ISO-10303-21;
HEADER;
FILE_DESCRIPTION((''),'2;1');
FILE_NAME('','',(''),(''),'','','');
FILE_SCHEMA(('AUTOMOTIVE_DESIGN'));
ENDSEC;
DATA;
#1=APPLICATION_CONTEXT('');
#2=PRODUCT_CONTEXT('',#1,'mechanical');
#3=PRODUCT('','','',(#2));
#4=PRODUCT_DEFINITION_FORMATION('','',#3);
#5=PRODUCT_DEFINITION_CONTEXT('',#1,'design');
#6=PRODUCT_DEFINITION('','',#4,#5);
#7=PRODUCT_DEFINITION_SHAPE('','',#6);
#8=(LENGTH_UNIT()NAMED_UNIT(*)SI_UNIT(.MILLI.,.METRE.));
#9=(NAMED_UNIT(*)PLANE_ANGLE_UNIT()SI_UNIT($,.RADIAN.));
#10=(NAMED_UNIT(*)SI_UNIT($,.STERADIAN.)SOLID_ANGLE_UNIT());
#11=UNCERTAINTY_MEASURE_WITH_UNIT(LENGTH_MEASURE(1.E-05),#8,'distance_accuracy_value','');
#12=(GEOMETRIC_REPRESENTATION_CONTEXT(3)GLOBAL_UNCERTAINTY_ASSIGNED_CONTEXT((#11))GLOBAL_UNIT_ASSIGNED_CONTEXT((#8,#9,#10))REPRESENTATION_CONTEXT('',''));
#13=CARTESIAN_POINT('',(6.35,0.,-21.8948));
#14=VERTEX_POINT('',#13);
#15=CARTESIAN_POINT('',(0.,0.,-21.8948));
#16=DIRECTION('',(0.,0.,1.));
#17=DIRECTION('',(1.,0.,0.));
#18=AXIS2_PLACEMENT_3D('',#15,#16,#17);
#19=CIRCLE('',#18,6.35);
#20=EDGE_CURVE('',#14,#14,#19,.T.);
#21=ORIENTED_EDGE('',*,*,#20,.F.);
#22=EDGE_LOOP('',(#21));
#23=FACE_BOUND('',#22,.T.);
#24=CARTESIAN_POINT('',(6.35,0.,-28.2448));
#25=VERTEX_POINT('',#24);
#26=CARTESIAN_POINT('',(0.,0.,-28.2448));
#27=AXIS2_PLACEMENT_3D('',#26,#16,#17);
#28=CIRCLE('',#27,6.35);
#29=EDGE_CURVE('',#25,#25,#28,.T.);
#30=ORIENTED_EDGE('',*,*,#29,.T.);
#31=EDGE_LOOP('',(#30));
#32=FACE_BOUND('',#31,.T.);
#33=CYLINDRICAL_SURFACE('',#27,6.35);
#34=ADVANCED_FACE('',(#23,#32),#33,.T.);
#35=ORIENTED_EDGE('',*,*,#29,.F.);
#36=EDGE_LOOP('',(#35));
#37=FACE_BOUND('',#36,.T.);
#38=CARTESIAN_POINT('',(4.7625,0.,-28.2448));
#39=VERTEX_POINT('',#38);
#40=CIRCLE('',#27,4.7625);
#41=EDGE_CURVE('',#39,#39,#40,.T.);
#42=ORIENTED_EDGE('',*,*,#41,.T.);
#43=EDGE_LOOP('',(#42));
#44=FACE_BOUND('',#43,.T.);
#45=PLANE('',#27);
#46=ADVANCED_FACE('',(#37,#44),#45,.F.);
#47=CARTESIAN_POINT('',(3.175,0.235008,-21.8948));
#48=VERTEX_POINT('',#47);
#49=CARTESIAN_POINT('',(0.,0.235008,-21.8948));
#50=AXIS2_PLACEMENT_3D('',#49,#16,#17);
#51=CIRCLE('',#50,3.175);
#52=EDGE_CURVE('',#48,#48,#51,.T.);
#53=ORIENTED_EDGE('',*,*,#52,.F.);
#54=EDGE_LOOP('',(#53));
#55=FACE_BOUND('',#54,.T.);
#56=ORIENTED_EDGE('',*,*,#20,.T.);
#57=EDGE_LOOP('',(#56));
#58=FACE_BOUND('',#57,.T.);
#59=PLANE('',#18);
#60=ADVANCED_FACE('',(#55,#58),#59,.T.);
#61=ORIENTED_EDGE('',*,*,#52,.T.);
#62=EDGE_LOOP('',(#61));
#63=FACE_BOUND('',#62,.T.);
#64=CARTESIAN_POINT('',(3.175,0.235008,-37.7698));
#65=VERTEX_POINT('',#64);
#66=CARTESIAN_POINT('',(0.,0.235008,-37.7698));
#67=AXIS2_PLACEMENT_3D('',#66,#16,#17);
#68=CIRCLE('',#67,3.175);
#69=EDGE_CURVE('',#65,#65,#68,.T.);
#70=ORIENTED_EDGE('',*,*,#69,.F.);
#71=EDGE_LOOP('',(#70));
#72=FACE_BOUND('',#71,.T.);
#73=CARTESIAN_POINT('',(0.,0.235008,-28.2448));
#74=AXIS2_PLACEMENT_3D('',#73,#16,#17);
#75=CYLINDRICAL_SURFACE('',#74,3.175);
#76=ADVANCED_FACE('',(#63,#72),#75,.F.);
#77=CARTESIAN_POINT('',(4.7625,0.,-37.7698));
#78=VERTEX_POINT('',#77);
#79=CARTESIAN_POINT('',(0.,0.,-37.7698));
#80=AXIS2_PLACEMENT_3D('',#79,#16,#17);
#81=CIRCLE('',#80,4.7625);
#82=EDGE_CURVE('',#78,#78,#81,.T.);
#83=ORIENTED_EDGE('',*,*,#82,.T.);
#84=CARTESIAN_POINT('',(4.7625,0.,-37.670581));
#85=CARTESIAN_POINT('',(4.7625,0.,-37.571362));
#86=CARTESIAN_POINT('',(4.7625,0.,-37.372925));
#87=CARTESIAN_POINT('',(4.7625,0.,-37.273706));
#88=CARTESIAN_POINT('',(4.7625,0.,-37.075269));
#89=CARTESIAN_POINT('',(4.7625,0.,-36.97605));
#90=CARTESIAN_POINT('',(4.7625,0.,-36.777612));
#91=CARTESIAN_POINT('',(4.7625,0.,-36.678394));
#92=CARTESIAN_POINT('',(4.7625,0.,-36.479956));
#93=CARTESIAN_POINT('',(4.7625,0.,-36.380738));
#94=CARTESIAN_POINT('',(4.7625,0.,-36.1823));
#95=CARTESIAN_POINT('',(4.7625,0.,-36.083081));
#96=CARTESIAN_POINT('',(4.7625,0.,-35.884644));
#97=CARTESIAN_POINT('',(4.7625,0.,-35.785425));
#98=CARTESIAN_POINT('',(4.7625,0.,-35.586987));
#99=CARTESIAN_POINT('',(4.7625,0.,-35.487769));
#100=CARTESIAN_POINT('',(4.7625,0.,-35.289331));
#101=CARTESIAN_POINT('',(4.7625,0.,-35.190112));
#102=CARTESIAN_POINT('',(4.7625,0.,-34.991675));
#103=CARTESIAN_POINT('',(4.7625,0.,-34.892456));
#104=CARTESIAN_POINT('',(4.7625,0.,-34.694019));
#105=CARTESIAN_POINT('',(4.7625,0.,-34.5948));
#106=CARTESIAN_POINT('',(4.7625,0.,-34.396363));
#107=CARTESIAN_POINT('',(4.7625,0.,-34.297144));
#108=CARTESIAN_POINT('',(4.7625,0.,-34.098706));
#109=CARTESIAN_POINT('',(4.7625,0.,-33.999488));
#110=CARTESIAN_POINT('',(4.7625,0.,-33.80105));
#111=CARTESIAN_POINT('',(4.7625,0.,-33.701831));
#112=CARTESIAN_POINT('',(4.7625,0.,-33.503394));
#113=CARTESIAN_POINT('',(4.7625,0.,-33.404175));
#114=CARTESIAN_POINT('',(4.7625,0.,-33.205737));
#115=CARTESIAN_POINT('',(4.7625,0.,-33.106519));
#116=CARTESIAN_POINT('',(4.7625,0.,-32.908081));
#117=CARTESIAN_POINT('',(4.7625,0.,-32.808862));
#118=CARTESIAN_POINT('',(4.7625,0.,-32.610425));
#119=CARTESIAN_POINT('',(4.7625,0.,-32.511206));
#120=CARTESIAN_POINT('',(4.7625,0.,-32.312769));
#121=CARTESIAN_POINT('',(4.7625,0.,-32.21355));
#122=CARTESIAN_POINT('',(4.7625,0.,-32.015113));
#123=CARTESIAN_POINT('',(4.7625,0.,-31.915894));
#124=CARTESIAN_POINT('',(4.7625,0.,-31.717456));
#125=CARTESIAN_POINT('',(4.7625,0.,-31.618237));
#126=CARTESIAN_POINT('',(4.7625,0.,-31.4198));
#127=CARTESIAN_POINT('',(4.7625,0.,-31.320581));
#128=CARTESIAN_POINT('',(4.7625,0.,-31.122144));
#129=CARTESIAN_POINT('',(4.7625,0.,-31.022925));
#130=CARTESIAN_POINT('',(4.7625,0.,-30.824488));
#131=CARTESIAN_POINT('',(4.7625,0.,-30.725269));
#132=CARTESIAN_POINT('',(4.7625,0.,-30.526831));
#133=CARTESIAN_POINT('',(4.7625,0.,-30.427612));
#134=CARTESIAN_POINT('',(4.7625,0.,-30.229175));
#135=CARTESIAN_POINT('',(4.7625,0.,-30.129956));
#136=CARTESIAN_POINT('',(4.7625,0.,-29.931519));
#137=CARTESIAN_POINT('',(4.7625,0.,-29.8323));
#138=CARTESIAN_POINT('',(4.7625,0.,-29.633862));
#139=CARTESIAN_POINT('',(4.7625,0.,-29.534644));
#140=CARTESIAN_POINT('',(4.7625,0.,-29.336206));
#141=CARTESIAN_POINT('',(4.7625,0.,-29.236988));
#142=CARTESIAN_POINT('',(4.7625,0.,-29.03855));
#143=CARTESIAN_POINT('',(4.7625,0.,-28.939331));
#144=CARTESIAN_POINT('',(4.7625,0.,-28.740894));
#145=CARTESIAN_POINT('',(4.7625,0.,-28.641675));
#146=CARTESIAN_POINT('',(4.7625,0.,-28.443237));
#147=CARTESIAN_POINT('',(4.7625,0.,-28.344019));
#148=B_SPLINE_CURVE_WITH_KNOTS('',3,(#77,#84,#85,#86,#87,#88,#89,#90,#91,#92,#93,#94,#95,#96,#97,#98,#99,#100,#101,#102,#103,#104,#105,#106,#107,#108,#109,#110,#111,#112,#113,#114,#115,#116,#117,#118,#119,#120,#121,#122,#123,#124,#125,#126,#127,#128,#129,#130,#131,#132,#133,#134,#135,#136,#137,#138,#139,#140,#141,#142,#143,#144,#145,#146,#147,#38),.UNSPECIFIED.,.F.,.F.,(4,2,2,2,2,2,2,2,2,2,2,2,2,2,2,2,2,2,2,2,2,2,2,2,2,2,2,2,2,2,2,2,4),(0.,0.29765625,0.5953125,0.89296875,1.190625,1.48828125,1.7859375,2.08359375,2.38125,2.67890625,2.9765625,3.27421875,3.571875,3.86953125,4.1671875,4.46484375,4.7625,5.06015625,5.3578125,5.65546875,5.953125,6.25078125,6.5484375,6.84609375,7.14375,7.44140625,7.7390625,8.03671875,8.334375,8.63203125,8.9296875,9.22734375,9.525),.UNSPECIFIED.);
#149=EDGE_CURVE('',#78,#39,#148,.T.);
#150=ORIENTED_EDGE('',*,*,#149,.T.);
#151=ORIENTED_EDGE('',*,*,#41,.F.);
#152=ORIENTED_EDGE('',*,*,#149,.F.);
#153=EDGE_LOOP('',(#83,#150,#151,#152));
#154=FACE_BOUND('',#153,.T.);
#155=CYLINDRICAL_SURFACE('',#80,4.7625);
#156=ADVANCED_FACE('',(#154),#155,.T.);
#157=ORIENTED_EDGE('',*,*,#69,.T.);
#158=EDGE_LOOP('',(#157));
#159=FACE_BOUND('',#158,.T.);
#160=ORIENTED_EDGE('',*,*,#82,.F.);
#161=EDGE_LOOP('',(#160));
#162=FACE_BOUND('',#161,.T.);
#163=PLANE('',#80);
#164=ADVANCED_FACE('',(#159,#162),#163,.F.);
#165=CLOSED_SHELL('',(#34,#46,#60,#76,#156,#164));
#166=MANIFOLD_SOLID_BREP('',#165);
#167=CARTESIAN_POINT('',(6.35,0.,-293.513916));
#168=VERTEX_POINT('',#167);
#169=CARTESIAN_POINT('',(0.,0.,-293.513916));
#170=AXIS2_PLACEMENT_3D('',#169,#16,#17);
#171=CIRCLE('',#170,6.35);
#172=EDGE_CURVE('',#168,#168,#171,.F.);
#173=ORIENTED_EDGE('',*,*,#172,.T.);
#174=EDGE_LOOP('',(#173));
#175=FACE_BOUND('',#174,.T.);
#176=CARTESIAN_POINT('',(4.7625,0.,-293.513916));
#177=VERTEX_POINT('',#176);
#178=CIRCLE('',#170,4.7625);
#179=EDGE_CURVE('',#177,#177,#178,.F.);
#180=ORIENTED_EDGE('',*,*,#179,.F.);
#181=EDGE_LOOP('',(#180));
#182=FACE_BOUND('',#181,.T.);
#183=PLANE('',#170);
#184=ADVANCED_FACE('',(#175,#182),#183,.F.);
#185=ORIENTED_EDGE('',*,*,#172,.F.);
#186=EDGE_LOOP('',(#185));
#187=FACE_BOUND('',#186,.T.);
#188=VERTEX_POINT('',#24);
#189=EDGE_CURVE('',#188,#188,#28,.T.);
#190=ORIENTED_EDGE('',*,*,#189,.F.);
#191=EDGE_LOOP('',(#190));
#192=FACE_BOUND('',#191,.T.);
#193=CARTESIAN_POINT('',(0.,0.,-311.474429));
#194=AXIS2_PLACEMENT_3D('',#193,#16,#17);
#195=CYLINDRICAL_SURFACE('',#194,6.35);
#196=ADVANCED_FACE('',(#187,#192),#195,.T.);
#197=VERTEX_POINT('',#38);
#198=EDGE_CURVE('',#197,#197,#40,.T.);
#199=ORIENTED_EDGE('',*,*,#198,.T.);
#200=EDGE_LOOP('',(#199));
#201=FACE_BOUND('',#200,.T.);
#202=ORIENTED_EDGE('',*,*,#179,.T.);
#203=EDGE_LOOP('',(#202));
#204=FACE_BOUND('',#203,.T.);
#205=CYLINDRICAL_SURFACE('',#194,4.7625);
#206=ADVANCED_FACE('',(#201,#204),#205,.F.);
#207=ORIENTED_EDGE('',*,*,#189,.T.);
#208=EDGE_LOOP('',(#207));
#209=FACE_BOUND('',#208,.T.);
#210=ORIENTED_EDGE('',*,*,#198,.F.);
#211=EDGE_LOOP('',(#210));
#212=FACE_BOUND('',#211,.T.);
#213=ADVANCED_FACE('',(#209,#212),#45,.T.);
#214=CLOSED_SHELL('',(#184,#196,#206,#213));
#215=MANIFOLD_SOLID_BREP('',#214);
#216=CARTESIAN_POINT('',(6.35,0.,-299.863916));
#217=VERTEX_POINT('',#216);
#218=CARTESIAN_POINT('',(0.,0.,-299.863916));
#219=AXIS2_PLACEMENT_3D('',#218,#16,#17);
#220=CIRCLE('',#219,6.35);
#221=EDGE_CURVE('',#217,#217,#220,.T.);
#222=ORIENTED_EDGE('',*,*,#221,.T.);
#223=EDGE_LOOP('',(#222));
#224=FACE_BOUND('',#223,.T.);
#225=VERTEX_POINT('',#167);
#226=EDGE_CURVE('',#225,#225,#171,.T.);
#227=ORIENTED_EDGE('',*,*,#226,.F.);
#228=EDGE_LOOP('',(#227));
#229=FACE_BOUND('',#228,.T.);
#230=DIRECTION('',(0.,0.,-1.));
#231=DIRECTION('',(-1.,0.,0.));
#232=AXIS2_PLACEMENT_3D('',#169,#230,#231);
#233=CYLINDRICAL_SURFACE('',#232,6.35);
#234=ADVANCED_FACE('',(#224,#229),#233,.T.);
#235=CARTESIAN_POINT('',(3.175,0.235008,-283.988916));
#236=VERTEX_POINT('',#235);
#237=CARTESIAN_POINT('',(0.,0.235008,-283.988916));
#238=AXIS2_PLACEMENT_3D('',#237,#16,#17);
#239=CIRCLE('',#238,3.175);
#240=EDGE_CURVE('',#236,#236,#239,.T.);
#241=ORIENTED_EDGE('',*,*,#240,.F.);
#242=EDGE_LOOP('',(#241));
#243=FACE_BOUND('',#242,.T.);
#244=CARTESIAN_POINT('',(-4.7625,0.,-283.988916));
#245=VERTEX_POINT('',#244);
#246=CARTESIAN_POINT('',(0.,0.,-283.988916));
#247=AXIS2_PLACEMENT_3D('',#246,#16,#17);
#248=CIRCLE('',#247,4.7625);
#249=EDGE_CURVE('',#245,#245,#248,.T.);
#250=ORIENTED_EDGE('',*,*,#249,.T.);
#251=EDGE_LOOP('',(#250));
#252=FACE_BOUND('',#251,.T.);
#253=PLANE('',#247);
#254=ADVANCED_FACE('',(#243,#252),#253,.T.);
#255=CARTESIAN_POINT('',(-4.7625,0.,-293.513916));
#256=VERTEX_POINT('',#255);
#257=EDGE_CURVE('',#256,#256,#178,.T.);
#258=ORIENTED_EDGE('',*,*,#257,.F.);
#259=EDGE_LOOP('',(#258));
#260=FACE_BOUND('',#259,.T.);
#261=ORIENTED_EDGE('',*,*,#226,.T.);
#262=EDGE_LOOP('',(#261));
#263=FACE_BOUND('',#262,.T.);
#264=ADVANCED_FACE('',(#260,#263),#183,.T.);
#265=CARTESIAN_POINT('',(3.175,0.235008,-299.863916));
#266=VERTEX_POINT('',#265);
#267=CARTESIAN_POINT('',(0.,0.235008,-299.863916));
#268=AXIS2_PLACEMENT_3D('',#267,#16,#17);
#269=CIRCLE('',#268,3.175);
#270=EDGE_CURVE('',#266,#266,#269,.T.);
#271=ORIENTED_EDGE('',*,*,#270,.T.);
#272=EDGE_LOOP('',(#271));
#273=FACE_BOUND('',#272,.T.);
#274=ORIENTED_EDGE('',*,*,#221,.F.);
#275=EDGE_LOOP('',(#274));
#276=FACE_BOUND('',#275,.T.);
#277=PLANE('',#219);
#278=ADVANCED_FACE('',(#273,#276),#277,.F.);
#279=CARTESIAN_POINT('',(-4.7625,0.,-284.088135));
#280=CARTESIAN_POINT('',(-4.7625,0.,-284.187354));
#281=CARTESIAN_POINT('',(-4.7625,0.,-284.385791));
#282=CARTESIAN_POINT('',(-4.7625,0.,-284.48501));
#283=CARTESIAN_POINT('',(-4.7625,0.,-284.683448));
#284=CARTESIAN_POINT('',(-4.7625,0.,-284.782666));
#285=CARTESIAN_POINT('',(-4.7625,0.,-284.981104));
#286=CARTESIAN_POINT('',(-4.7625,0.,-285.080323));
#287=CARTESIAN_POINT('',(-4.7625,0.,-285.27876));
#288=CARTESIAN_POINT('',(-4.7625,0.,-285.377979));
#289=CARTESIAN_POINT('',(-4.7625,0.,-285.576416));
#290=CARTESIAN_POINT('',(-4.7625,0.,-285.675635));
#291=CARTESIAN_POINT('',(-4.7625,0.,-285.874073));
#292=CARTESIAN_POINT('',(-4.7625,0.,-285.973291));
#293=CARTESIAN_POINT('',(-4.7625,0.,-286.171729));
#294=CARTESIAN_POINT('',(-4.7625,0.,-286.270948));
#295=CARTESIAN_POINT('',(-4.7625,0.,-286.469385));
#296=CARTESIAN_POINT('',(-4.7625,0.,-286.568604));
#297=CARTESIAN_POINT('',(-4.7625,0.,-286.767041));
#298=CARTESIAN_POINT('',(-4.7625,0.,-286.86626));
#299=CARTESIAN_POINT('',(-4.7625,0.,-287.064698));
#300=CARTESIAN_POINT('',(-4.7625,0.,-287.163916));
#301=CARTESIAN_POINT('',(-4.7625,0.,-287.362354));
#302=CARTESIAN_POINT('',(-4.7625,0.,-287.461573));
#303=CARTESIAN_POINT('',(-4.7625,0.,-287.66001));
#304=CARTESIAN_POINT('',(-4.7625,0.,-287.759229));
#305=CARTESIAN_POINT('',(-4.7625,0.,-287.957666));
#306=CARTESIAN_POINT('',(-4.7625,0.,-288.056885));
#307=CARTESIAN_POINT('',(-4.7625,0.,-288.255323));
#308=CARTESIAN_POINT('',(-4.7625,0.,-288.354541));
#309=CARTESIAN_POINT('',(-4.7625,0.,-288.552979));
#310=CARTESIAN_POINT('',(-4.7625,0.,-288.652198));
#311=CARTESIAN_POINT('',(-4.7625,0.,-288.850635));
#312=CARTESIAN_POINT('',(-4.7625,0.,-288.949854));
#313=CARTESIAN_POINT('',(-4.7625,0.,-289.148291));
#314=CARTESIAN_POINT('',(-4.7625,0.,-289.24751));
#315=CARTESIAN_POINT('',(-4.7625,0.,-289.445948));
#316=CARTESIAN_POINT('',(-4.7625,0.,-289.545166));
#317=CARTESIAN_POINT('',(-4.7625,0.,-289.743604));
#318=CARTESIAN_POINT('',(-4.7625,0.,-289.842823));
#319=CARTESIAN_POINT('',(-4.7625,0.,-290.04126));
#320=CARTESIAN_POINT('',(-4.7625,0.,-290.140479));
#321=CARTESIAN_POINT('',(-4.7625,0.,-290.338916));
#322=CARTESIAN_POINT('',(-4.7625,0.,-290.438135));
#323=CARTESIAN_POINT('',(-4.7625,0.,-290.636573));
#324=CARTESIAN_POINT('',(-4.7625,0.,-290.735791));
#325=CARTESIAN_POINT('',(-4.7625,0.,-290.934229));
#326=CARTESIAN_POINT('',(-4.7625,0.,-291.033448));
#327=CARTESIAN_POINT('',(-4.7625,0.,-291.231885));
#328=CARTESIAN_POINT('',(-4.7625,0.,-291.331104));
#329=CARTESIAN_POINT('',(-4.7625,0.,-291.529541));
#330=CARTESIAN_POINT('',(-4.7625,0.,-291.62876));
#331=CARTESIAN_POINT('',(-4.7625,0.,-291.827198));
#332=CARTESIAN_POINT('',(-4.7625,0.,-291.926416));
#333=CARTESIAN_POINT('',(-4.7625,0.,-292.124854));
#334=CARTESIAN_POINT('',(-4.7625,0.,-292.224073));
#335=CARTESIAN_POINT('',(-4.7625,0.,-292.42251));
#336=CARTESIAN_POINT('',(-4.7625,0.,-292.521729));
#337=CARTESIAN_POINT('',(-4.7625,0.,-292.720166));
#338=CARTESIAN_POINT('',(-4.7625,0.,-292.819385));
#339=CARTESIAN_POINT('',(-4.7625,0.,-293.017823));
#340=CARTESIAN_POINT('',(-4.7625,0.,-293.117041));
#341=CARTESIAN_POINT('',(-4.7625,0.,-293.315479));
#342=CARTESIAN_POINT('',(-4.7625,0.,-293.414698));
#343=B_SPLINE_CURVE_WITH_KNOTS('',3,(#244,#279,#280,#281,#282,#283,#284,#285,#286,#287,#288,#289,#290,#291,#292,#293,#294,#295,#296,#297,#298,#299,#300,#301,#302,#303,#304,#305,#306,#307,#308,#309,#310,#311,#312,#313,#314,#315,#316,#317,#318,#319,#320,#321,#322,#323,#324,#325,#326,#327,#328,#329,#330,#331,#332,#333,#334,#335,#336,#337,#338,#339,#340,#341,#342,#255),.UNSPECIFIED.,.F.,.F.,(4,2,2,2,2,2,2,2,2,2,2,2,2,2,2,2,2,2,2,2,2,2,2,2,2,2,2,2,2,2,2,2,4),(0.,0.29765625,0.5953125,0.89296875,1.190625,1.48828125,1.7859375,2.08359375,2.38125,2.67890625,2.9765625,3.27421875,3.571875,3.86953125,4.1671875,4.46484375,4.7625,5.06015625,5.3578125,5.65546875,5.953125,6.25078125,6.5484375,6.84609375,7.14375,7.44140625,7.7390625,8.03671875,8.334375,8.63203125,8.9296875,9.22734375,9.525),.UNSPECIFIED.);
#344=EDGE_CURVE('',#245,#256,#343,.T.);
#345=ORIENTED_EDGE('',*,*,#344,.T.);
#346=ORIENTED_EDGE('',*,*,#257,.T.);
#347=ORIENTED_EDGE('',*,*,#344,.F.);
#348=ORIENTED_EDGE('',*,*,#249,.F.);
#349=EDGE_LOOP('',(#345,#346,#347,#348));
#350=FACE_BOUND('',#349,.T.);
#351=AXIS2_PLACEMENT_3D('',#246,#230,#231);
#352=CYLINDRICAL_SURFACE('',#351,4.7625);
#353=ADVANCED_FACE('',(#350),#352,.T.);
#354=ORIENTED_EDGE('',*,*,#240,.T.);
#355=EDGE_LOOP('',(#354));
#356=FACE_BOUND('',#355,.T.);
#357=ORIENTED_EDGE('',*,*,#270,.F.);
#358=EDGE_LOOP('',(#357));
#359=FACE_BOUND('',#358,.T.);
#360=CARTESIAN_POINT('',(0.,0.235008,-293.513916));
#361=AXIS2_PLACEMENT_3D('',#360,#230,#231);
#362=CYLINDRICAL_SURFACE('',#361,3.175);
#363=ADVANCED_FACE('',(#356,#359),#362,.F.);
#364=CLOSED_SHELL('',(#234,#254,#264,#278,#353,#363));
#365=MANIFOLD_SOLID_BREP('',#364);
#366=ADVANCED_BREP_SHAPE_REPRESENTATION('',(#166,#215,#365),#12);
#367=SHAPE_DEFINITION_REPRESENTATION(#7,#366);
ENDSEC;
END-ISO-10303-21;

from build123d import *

# Parameters (mm, degrees)
THREADED_START            = -21.8948
SKETCH2_R                 = 6.35
SKETCH2_R_2               = 4.7625
SKETCH2_R_3               = 3.175
THREADED_INSERT_1_1_DEPTH = 6.35
THREADED_START_2          = -28.2448
SKETCH2_5_R               = 4.7625
SKETCH2_5_R_2             = 3.175
THREADED_INSERT_1_2_DEPTH = 9.525
BOSS_EXTRUDE4_START       = -299.863916
SKETCH2_7_R               = 6.35
SKETCH2_7_R_2             = 4.7625
SKETCH2_7_R_3             = 3.175
BOSS_EXTRUDE4_DEPTH       = 6.35
BOSS_EXTRUDE5_START       = -283.988916
SKETCH2_8_R               = 4.7625
SKETCH2_8_R_2             = 3.175
BOSS_EXTRUDE5_DEPTH       = 9.525
BOSS_EXTRUDE6_START       = -28.2448
SKETCH2_9_R               = 6.35
SKETCH2_9_R_2             = 4.7625
BOSS_EXTRUDE6_DEPTH       = 265.2691164


with BuildPart() as part:
    # Sketch2 → Threaded Insert 1-1 (new body)
    # profile 1 of 2: a face of its own
    with BuildSketch(Plane.XY.offset(THREADED_START)):
        Circle(SKETCH2_R)
        Circle(SKETCH2_R_2, mode=Mode.SUBTRACT)
    # profile 2 of 2: a face of its own
    with BuildSketch(Plane.XY.offset(THREADED_START)):
        Circle(SKETCH2_R_2)
        with Locations((0, 0.235008439)):
            Circle(SKETCH2_R_3, mode=Mode.SUBTRACT)
    extrude(amount=-THREADED_INSERT_1_1_DEPTH)

    # Sketch2<5> → Threaded Insert 1-2 (add)
    with BuildSketch(Plane.XY.offset(THREADED_START_2)):
        Circle(SKETCH2_5_R)
        with Locations((0, 0.235008439)):
            Circle(SKETCH2_5_R_2, mode=Mode.SUBTRACT)
    extrude(amount=-THREADED_INSERT_1_2_DEPTH)


with BuildPart() as body_2:
    # Sketch2<7> → Boss-Extrude4 (new body)
    # profile 1 of 2: a face of its own
    with BuildSketch(Plane.XY.offset(BOSS_EXTRUDE4_START)):
        Circle(SKETCH2_7_R)
        Circle(SKETCH2_7_R_2, mode=Mode.SUBTRACT)
    # profile 2 of 2: a face of its own
    with BuildSketch(Plane.XY.offset(BOSS_EXTRUDE4_START)):
        Circle(SKETCH2_7_R_2)
        with Locations((0, 0.235008439)):
            Circle(SKETCH2_7_R_3, mode=Mode.SUBTRACT)
    extrude(amount=BOSS_EXTRUDE4_DEPTH)

    # Sketch2<8> → Boss-Extrude5 (add)
    with BuildSketch(Plane.XY.offset(BOSS_EXTRUDE5_START)):
        with Locations(Location((0, 0, 0), (0, 0, 180))):
            Circle(SKETCH2_8_R)
        with Locations((0, 0.235008439)):
            Circle(SKETCH2_8_R_2, mode=Mode.SUBTRACT)
    extrude(amount=-BOSS_EXTRUDE5_DEPTH)


with BuildPart() as body_3:
    # Sketch2<9> → Boss-Extrude6 (new body)
    with BuildSketch(Plane.XY.offset(BOSS_EXTRUDE6_START)):
        Circle(SKETCH2_9_R)
        Circle(SKETCH2_9_R_2, mode=Mode.SUBTRACT)
    extrude(amount=-BOSS_EXTRUDE6_DEPTH)


solid = Compound([part.part, body_2.part, body_3.part])
